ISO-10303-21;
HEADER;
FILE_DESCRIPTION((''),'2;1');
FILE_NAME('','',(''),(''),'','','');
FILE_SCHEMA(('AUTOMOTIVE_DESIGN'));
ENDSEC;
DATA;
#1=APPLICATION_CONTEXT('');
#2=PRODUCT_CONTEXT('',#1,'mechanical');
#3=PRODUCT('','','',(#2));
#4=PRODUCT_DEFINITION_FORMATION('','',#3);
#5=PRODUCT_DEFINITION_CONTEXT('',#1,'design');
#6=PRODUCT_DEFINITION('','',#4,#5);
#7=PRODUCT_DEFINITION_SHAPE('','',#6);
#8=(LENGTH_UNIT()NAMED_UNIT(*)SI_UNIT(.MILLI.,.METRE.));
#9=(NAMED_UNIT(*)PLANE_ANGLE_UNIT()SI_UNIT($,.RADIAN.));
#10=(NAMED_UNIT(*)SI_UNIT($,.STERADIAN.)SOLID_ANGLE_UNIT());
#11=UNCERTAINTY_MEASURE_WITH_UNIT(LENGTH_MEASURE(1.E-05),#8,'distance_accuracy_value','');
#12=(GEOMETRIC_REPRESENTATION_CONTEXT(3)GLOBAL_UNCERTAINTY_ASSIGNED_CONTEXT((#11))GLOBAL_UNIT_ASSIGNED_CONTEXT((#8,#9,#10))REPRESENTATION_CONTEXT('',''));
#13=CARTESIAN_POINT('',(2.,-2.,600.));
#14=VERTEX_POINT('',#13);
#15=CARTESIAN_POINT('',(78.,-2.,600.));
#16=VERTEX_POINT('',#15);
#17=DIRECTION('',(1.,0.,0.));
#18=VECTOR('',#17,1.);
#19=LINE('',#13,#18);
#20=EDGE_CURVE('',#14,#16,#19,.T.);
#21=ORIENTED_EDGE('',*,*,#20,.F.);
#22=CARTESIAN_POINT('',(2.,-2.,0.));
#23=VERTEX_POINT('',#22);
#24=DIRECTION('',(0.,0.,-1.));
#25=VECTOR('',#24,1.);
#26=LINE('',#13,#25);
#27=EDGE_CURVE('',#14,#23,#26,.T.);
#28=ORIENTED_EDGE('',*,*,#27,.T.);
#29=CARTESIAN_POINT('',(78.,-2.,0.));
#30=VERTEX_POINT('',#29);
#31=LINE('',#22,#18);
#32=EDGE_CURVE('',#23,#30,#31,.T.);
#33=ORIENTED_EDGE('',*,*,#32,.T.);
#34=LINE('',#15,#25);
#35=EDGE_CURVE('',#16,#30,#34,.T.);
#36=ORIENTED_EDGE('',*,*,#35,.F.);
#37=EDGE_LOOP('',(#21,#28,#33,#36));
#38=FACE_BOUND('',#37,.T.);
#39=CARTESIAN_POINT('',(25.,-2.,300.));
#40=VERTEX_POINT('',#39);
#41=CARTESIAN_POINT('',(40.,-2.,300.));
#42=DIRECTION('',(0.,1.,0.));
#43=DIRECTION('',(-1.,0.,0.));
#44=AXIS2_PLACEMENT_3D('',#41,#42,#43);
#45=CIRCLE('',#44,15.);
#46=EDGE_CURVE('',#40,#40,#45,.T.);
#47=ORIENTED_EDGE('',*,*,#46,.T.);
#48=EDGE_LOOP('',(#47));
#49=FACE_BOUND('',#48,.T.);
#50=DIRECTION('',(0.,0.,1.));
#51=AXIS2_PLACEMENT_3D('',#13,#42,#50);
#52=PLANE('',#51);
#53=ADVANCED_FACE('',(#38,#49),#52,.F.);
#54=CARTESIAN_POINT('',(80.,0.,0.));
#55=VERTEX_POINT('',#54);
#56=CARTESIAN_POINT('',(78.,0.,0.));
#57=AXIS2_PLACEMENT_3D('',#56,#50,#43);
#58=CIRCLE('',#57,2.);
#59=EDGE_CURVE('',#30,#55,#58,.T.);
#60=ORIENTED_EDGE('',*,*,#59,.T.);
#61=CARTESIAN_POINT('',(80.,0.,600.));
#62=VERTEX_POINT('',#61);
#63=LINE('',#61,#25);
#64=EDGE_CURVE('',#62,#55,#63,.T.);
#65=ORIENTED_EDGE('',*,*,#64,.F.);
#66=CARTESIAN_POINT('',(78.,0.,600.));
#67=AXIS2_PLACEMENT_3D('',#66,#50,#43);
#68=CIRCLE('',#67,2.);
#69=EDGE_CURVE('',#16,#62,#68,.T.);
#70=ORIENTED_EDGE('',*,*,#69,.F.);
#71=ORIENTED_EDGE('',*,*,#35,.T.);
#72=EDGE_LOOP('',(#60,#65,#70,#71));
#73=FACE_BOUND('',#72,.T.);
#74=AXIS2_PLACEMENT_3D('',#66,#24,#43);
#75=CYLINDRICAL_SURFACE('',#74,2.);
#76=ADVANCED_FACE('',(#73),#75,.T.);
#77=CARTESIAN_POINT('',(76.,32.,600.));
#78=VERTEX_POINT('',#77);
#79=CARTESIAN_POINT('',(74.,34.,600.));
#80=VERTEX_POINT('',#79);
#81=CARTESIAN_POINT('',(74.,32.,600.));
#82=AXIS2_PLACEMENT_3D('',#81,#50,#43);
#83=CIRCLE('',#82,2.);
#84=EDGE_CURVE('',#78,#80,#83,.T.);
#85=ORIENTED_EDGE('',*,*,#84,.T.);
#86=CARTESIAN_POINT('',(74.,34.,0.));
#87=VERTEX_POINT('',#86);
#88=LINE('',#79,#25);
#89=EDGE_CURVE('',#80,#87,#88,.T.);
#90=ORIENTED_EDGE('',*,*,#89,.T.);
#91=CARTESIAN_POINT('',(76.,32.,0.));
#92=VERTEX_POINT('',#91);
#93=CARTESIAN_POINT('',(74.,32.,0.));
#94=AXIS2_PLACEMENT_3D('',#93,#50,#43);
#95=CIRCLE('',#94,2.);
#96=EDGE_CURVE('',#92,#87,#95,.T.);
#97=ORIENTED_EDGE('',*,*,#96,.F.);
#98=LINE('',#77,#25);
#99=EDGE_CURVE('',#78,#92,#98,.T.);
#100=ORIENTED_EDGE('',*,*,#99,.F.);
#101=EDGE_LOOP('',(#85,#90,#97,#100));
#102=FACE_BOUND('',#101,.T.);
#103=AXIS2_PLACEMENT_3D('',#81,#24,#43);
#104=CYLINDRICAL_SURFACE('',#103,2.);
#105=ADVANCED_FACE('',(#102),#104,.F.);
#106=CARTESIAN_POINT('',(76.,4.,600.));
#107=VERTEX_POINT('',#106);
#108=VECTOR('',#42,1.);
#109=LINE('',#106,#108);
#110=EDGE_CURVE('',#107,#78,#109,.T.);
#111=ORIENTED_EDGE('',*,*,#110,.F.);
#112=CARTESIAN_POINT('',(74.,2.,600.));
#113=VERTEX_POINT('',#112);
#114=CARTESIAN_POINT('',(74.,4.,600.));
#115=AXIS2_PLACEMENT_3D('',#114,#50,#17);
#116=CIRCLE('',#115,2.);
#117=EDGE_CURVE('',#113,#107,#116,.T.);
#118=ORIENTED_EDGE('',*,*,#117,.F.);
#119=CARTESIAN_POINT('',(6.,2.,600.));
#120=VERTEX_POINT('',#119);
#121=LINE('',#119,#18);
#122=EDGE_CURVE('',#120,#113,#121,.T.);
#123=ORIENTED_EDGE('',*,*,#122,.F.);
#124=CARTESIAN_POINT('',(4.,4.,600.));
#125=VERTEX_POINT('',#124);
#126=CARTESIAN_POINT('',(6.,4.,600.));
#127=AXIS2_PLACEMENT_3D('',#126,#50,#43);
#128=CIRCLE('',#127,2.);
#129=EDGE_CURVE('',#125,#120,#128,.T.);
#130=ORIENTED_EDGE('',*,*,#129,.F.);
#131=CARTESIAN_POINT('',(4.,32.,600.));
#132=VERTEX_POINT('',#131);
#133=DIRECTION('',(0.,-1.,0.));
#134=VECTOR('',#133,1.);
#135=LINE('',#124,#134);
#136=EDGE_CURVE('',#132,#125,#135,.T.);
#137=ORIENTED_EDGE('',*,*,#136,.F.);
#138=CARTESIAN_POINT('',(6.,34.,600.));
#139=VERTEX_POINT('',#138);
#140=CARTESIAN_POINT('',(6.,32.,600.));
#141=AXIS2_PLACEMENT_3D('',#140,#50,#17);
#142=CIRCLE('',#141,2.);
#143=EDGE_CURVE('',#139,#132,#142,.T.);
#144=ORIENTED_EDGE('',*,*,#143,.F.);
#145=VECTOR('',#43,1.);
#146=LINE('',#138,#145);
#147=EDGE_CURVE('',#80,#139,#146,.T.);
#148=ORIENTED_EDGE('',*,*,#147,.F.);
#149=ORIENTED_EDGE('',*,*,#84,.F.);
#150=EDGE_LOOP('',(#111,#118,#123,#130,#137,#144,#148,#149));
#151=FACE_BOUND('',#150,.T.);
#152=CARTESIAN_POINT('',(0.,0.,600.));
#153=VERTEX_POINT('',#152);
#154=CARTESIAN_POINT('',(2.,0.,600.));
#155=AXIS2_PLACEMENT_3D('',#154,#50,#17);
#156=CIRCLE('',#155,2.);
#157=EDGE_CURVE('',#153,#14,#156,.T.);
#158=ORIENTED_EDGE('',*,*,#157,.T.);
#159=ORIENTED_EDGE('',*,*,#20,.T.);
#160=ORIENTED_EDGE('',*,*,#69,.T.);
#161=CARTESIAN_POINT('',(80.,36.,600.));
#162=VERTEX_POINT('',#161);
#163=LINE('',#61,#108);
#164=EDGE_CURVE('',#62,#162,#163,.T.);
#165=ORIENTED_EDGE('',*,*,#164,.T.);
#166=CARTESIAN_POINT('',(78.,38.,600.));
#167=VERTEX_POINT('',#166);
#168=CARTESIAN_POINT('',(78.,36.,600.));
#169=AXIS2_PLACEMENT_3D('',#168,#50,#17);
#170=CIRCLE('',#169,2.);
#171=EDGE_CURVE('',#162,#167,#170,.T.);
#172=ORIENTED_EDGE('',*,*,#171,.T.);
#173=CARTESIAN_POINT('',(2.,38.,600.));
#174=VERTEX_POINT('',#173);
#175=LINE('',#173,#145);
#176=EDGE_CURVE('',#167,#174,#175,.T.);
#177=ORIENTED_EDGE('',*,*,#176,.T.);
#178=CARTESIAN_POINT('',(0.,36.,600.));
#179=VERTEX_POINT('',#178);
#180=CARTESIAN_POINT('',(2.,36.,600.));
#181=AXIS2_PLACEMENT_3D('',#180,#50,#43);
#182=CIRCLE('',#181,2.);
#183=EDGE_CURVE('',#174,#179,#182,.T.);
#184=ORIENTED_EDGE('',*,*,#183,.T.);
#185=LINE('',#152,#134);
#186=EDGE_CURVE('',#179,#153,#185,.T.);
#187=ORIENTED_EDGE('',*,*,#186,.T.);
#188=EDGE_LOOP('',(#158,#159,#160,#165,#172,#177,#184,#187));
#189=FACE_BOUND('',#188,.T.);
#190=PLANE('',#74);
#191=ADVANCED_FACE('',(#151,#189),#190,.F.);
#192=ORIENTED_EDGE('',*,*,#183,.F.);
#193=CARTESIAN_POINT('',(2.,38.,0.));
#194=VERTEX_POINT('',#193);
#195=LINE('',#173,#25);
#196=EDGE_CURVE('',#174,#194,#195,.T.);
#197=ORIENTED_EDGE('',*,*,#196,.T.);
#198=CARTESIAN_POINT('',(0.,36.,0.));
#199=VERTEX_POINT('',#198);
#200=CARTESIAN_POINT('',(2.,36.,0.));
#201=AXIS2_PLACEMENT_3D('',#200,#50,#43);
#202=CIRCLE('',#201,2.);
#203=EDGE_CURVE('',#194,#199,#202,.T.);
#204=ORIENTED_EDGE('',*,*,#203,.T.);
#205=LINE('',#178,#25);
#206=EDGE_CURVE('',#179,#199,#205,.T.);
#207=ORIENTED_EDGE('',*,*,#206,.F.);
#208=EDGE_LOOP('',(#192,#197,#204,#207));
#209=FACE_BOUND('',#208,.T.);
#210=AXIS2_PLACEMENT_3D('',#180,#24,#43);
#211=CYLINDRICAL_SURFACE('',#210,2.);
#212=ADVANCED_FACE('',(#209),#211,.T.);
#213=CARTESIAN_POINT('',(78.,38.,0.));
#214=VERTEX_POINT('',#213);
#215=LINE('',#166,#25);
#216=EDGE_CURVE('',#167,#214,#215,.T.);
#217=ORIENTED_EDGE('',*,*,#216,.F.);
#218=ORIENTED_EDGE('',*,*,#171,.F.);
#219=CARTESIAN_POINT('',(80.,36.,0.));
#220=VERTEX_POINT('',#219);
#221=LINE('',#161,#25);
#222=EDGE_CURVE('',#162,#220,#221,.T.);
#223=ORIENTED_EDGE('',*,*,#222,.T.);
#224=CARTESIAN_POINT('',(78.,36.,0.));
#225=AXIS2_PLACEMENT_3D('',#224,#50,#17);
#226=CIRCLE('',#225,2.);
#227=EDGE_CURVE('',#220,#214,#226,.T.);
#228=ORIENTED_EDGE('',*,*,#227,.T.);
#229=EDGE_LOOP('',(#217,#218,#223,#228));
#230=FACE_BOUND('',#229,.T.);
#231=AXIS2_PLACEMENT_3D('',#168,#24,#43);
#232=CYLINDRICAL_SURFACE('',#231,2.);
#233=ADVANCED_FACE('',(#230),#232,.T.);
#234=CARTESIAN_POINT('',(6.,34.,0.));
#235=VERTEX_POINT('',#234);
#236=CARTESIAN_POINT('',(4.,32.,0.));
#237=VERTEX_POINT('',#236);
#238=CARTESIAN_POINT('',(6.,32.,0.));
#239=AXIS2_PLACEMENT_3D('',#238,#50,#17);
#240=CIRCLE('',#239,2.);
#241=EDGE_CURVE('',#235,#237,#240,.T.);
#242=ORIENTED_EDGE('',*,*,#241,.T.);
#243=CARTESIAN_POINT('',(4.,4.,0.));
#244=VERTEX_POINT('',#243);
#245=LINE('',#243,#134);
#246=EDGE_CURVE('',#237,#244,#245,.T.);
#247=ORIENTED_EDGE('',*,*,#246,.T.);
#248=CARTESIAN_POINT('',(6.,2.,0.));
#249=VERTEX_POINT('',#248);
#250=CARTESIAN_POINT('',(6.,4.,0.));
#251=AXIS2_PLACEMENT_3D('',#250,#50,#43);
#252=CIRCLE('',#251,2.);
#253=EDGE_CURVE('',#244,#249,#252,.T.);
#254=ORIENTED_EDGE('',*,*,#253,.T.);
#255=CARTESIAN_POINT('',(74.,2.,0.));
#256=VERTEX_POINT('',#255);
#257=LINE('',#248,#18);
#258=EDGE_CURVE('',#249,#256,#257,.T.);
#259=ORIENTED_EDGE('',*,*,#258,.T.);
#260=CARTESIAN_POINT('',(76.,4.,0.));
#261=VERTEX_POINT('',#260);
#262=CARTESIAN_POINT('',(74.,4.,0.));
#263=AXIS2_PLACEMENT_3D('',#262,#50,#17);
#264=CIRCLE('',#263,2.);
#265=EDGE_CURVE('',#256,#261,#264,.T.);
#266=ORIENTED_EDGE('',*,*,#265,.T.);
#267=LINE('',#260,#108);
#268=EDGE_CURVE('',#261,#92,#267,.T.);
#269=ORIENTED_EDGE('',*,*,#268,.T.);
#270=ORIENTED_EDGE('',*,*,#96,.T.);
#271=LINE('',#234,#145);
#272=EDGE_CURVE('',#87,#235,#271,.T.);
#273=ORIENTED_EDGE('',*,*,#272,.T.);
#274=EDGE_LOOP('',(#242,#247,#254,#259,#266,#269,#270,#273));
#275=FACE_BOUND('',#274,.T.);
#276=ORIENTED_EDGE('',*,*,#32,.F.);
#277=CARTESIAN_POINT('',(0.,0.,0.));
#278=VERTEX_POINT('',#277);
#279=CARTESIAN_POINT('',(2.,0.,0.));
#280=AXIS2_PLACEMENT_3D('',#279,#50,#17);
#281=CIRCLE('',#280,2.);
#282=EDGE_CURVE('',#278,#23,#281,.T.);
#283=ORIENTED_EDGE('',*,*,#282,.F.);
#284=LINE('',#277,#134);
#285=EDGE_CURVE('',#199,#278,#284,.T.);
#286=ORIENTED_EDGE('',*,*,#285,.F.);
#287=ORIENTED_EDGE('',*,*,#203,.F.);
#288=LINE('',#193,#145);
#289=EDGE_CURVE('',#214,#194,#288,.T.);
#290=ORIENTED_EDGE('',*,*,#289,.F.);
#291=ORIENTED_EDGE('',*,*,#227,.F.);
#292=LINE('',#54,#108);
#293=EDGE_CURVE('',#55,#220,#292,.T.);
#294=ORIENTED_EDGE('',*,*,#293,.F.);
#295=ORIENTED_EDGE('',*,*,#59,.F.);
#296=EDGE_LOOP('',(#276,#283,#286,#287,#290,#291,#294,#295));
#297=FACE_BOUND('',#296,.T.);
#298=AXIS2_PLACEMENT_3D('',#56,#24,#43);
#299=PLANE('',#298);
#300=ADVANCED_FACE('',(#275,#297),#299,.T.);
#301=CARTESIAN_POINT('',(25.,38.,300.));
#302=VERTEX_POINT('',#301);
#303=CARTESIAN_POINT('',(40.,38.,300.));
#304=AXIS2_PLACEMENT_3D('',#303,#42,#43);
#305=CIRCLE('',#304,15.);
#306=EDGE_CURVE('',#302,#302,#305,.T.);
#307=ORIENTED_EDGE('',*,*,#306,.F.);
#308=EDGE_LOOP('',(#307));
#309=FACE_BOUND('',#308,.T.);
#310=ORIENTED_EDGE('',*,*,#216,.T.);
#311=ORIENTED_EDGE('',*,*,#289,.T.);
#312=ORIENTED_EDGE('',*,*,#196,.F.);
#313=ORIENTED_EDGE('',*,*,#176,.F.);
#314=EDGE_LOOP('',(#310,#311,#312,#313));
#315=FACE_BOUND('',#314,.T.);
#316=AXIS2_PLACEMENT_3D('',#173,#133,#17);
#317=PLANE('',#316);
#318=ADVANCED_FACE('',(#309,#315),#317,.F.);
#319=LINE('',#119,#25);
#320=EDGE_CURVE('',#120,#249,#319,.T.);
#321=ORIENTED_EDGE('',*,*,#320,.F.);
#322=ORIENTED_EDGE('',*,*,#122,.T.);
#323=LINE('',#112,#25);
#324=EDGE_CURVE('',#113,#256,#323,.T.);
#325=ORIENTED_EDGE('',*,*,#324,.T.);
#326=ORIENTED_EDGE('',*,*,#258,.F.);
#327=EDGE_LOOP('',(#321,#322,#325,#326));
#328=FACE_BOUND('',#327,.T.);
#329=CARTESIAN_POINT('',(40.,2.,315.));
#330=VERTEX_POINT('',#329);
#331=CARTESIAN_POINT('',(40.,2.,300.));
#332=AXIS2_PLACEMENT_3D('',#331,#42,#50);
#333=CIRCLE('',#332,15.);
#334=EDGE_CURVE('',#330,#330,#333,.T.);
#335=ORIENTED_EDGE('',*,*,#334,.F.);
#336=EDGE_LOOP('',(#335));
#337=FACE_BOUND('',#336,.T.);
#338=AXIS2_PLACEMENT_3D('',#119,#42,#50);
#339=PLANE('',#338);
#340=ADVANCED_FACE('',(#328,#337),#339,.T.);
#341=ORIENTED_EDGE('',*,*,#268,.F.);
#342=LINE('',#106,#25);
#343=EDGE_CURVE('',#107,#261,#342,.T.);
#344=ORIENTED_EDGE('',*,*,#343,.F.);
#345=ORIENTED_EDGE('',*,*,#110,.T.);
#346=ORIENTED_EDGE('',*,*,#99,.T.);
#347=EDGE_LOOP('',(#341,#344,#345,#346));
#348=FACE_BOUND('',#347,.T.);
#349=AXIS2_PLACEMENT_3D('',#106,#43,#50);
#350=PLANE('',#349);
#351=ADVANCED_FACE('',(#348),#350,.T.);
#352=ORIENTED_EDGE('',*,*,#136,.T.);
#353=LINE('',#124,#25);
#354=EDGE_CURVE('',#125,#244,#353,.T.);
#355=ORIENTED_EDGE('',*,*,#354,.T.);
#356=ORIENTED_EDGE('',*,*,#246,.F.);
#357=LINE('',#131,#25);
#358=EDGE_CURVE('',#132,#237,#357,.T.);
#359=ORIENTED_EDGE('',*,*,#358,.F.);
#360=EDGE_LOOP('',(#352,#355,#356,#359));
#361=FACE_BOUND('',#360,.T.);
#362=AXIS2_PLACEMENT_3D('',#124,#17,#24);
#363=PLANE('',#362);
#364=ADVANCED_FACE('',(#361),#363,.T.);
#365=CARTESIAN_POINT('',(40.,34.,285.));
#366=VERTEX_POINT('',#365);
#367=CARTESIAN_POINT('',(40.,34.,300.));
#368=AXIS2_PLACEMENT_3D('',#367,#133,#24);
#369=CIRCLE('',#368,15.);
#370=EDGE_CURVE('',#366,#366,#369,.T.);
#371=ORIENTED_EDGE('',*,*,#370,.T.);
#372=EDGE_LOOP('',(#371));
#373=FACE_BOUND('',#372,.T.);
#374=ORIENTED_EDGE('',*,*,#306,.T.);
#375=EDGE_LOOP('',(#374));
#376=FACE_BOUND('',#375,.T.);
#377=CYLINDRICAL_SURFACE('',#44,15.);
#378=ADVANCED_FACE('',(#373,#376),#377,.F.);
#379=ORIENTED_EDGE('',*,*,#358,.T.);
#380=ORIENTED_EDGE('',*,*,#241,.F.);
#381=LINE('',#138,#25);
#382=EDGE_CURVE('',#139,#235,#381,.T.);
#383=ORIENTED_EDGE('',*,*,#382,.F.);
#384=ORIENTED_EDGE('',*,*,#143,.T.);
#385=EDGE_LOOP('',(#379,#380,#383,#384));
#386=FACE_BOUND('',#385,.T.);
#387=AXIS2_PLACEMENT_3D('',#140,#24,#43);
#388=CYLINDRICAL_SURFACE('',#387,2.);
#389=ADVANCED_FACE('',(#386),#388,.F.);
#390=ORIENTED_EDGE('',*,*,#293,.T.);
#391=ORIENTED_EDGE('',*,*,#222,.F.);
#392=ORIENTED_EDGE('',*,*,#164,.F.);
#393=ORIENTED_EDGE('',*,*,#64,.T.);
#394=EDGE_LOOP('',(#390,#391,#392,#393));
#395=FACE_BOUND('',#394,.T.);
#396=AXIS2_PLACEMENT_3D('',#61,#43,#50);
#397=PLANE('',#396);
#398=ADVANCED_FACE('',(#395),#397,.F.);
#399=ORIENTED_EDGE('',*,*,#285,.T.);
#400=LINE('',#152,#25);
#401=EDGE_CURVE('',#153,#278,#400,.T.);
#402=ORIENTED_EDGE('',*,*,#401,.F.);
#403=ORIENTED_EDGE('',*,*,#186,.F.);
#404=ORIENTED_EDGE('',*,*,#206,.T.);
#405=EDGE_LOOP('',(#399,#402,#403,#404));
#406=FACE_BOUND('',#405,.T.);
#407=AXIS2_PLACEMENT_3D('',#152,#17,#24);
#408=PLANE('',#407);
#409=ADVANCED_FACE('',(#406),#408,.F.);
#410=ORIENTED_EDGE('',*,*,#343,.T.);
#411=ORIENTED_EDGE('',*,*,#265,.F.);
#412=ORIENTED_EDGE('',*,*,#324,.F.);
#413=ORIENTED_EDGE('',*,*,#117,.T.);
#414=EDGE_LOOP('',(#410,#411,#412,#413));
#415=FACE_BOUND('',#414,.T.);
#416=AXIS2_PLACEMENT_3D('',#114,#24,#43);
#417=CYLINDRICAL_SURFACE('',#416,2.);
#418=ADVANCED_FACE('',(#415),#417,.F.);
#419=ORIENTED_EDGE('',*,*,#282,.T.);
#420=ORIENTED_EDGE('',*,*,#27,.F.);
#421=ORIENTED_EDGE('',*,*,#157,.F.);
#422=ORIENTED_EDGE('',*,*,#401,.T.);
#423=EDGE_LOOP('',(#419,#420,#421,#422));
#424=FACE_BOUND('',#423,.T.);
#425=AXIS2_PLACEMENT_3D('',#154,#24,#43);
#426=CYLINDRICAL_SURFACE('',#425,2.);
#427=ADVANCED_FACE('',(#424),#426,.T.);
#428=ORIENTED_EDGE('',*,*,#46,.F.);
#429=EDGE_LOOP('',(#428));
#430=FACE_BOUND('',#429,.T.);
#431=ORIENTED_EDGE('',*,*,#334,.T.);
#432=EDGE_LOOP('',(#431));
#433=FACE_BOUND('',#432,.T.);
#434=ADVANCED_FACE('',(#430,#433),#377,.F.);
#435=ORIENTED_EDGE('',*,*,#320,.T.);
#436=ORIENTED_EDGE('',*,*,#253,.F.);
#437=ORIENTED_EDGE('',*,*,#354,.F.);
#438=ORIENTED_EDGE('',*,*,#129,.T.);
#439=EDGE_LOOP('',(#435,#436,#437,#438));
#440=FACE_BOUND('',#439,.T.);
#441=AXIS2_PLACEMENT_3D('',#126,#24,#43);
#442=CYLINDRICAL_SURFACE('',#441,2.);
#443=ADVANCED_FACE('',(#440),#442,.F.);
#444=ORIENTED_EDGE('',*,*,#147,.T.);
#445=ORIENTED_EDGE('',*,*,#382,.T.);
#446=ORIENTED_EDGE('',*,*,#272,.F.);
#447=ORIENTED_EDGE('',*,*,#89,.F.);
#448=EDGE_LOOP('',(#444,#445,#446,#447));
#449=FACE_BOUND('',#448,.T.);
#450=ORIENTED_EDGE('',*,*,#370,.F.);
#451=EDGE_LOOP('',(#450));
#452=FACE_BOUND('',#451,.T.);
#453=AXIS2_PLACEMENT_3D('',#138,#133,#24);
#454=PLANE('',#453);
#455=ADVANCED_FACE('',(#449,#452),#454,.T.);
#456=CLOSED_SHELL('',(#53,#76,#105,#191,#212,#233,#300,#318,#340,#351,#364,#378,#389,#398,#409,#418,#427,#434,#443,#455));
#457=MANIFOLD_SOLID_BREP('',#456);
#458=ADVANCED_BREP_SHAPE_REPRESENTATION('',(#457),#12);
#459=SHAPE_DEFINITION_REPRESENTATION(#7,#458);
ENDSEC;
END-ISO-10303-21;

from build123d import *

# Parameters (mm, degrees)
BOSS_EXTRU_1_DEPTH      = 600
ESQUISSE2_R             = 15
ENL_V_MAT_EXTRU_1_DEPTH = 607.630035524


with BuildPart() as part:
    # Esquisse1 → Boss.-Extru.1 (new body)
    with BuildSketch(Plane.XY):
        with BuildLine():
            Line((2, -2), (78, -2))
            ThreePointArc((78, -2), (79.414213562, -1.414213562), (80, 0))
            Line((80, 0), (80, 36))
            ThreePointArc((80, 36), (79.414213562, 37.414213562), (78, 38))
            Line((78, 38), (2, 38))
            ThreePointArc((2, 38), (0.585786438, 37.414213562), (0, 36))
            Line((0, 36), (0, 0))
            ThreePointArc((0, 0), (0.585786438, -1.414213562), (2, -2))
        make_face()
        with BuildLine():
            Line((4, 4), (4, 32))
            ThreePointArc((4, 32), (4.585786438, 33.414213562), (6, 34))
            Line((6, 34), (74, 34))
            ThreePointArc((74, 34), (75.414213562, 33.414213562), (76, 32))
            Line((76, 32), (76, 4))
            ThreePointArc((76, 4), (75.414213562, 2.585786438), (74, 2))
            Line((74, 2), (6, 2))
            ThreePointArc((6, 2), (4.585786438, 2.585786438), (4, 4))
        make_face(mode=Mode.SUBTRACT)
    extrude(amount=BOSS_EXTRU_1_DEPTH)

    # Esquisse2 → Enlèv. mat.-Extru.1 (cut, through all)
    with BuildSketch(Plane(origin=(0, 38, 0), x_dir=(1, 0, 0), z_dir=(0, 1, 0))):
        with Locations(Location((40, -300, 0), (0, 0, 180))):
            Circle(ESQUISSE2_R)
    extrude(amount=-ENL_V_MAT_EXTRU_1_DEPTH, mode=Mode.SUBTRACT)


solid = part.part
